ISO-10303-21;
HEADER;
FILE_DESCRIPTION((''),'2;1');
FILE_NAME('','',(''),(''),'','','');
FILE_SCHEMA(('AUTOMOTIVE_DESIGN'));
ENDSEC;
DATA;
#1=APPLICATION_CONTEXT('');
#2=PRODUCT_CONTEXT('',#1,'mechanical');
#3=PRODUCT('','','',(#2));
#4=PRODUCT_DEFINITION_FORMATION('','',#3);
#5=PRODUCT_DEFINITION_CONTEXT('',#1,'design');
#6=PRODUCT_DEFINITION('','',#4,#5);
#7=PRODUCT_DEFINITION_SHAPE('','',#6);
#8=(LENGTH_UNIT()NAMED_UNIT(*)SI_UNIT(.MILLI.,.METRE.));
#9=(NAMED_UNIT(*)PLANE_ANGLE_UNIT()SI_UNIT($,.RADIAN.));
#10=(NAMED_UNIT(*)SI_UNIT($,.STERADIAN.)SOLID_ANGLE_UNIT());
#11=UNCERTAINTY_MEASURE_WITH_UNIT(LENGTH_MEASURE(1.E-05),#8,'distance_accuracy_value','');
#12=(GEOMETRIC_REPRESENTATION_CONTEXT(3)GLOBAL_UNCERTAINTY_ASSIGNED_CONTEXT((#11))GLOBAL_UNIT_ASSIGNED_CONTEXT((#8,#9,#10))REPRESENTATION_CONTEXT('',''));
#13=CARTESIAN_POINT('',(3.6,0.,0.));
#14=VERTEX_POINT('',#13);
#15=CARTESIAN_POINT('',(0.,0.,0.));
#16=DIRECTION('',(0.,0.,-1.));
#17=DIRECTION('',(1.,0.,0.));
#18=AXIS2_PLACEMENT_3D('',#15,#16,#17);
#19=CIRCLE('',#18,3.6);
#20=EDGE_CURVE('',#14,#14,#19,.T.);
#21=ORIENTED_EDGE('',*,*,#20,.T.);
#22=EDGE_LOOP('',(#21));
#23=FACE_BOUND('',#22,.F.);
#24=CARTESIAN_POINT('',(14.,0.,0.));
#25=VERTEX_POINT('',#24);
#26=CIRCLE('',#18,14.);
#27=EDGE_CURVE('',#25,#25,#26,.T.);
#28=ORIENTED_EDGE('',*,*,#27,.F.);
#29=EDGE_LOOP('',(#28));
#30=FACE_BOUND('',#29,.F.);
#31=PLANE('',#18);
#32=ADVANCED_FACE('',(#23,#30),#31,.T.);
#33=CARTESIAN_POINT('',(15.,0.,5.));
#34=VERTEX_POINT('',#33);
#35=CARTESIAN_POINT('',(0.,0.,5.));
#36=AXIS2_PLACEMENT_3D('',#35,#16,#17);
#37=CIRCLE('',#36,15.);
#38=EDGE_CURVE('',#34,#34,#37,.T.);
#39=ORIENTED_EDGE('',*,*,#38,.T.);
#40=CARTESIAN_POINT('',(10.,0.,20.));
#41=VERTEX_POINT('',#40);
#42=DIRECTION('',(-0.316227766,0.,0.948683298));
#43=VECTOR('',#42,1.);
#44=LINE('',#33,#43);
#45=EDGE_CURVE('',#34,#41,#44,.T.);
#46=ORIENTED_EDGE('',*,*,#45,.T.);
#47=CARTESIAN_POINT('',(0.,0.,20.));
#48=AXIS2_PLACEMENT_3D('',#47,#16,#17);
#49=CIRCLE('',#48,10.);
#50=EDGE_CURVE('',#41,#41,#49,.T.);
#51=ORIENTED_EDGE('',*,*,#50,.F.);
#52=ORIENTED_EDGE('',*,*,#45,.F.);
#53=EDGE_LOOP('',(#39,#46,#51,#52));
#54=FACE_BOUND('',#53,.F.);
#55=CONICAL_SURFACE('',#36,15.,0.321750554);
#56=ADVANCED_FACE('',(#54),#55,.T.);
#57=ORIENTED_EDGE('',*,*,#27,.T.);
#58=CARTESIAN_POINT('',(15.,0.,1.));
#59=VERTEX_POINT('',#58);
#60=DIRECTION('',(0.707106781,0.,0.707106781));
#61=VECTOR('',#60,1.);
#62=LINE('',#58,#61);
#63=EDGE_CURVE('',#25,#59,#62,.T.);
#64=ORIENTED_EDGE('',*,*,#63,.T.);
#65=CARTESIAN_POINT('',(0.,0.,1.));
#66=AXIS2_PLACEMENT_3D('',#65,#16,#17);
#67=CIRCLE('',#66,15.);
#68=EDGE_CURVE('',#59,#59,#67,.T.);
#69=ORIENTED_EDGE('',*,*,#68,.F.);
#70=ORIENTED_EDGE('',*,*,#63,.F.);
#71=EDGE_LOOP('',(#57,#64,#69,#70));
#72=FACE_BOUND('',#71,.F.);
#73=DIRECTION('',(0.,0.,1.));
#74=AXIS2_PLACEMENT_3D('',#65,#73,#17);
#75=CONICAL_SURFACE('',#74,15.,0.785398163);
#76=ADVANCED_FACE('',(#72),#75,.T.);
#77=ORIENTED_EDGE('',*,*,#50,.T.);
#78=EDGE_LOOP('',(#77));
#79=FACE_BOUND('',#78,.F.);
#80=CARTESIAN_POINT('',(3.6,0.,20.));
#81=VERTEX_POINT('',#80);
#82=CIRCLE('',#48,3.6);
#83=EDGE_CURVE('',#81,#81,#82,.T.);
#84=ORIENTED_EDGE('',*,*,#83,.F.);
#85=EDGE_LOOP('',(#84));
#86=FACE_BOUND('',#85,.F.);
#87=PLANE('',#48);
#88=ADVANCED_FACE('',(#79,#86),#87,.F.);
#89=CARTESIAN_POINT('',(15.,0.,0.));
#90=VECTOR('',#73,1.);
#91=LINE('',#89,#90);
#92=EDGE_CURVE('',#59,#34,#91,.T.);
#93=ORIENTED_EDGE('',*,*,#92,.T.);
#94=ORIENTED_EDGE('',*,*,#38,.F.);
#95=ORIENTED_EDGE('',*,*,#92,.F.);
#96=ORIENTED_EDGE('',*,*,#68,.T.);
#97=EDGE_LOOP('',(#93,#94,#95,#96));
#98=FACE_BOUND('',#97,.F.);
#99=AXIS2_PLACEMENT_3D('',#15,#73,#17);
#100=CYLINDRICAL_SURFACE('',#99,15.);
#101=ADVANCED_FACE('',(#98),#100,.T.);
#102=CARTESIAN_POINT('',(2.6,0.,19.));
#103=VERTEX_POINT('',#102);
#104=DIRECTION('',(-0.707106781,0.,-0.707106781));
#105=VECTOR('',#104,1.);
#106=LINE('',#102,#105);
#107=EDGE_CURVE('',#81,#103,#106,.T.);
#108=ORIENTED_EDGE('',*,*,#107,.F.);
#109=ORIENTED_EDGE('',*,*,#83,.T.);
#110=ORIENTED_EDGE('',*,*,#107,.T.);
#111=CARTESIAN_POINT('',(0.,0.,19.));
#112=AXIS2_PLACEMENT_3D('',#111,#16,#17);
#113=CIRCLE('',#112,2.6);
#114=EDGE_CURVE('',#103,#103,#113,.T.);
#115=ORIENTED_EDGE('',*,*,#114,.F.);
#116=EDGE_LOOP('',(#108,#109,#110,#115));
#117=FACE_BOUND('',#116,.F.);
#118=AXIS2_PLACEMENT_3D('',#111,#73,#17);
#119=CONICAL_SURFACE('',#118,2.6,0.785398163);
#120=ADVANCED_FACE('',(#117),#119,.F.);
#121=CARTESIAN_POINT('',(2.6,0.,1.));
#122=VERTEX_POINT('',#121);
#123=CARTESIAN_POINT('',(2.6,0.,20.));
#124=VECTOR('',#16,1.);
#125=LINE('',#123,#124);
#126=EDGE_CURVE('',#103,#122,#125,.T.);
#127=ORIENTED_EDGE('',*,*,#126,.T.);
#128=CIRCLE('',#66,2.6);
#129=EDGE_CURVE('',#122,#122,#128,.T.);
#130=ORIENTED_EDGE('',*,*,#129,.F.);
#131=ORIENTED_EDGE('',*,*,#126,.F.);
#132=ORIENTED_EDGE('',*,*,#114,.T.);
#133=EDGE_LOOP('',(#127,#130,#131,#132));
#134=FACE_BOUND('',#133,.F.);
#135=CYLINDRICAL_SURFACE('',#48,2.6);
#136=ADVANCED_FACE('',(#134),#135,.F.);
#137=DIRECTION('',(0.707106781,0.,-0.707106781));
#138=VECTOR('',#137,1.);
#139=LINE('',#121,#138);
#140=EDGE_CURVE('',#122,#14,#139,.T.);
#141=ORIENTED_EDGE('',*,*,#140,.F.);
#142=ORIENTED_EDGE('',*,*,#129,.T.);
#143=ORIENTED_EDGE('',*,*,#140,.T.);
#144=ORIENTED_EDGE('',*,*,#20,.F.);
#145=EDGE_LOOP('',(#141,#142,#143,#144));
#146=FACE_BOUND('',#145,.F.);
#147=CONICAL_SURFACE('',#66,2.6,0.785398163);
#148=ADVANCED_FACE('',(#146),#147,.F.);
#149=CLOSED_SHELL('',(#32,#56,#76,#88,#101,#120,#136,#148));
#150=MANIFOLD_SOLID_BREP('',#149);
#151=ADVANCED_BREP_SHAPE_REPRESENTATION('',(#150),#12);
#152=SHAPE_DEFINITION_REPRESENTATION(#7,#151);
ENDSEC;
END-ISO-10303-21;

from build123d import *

# Parameters (mm, degrees)
F2_SIZE = 1


with BuildPart() as f1:
    # F0 (on Front) → F1 (revolve)
    with BuildSketch(Plane.XZ):
        Polygon((10, 20), (2.6, 20), (2.6, 0), (15, 0), (15, 5), align=None)
    revolve(axis=Axis((0, 0, 10), (0, 0, -1)))

    # F2
    f2_edges = [f1.edges().sort_by_distance(p)[0] for p in [
        (-2.6, 0, 20),
        (-2.6, 0, 0),
        (-15, 0, 0),
    ]]
    chamfer(f2_edges, length=F2_SIZE)


solid = f1.part
